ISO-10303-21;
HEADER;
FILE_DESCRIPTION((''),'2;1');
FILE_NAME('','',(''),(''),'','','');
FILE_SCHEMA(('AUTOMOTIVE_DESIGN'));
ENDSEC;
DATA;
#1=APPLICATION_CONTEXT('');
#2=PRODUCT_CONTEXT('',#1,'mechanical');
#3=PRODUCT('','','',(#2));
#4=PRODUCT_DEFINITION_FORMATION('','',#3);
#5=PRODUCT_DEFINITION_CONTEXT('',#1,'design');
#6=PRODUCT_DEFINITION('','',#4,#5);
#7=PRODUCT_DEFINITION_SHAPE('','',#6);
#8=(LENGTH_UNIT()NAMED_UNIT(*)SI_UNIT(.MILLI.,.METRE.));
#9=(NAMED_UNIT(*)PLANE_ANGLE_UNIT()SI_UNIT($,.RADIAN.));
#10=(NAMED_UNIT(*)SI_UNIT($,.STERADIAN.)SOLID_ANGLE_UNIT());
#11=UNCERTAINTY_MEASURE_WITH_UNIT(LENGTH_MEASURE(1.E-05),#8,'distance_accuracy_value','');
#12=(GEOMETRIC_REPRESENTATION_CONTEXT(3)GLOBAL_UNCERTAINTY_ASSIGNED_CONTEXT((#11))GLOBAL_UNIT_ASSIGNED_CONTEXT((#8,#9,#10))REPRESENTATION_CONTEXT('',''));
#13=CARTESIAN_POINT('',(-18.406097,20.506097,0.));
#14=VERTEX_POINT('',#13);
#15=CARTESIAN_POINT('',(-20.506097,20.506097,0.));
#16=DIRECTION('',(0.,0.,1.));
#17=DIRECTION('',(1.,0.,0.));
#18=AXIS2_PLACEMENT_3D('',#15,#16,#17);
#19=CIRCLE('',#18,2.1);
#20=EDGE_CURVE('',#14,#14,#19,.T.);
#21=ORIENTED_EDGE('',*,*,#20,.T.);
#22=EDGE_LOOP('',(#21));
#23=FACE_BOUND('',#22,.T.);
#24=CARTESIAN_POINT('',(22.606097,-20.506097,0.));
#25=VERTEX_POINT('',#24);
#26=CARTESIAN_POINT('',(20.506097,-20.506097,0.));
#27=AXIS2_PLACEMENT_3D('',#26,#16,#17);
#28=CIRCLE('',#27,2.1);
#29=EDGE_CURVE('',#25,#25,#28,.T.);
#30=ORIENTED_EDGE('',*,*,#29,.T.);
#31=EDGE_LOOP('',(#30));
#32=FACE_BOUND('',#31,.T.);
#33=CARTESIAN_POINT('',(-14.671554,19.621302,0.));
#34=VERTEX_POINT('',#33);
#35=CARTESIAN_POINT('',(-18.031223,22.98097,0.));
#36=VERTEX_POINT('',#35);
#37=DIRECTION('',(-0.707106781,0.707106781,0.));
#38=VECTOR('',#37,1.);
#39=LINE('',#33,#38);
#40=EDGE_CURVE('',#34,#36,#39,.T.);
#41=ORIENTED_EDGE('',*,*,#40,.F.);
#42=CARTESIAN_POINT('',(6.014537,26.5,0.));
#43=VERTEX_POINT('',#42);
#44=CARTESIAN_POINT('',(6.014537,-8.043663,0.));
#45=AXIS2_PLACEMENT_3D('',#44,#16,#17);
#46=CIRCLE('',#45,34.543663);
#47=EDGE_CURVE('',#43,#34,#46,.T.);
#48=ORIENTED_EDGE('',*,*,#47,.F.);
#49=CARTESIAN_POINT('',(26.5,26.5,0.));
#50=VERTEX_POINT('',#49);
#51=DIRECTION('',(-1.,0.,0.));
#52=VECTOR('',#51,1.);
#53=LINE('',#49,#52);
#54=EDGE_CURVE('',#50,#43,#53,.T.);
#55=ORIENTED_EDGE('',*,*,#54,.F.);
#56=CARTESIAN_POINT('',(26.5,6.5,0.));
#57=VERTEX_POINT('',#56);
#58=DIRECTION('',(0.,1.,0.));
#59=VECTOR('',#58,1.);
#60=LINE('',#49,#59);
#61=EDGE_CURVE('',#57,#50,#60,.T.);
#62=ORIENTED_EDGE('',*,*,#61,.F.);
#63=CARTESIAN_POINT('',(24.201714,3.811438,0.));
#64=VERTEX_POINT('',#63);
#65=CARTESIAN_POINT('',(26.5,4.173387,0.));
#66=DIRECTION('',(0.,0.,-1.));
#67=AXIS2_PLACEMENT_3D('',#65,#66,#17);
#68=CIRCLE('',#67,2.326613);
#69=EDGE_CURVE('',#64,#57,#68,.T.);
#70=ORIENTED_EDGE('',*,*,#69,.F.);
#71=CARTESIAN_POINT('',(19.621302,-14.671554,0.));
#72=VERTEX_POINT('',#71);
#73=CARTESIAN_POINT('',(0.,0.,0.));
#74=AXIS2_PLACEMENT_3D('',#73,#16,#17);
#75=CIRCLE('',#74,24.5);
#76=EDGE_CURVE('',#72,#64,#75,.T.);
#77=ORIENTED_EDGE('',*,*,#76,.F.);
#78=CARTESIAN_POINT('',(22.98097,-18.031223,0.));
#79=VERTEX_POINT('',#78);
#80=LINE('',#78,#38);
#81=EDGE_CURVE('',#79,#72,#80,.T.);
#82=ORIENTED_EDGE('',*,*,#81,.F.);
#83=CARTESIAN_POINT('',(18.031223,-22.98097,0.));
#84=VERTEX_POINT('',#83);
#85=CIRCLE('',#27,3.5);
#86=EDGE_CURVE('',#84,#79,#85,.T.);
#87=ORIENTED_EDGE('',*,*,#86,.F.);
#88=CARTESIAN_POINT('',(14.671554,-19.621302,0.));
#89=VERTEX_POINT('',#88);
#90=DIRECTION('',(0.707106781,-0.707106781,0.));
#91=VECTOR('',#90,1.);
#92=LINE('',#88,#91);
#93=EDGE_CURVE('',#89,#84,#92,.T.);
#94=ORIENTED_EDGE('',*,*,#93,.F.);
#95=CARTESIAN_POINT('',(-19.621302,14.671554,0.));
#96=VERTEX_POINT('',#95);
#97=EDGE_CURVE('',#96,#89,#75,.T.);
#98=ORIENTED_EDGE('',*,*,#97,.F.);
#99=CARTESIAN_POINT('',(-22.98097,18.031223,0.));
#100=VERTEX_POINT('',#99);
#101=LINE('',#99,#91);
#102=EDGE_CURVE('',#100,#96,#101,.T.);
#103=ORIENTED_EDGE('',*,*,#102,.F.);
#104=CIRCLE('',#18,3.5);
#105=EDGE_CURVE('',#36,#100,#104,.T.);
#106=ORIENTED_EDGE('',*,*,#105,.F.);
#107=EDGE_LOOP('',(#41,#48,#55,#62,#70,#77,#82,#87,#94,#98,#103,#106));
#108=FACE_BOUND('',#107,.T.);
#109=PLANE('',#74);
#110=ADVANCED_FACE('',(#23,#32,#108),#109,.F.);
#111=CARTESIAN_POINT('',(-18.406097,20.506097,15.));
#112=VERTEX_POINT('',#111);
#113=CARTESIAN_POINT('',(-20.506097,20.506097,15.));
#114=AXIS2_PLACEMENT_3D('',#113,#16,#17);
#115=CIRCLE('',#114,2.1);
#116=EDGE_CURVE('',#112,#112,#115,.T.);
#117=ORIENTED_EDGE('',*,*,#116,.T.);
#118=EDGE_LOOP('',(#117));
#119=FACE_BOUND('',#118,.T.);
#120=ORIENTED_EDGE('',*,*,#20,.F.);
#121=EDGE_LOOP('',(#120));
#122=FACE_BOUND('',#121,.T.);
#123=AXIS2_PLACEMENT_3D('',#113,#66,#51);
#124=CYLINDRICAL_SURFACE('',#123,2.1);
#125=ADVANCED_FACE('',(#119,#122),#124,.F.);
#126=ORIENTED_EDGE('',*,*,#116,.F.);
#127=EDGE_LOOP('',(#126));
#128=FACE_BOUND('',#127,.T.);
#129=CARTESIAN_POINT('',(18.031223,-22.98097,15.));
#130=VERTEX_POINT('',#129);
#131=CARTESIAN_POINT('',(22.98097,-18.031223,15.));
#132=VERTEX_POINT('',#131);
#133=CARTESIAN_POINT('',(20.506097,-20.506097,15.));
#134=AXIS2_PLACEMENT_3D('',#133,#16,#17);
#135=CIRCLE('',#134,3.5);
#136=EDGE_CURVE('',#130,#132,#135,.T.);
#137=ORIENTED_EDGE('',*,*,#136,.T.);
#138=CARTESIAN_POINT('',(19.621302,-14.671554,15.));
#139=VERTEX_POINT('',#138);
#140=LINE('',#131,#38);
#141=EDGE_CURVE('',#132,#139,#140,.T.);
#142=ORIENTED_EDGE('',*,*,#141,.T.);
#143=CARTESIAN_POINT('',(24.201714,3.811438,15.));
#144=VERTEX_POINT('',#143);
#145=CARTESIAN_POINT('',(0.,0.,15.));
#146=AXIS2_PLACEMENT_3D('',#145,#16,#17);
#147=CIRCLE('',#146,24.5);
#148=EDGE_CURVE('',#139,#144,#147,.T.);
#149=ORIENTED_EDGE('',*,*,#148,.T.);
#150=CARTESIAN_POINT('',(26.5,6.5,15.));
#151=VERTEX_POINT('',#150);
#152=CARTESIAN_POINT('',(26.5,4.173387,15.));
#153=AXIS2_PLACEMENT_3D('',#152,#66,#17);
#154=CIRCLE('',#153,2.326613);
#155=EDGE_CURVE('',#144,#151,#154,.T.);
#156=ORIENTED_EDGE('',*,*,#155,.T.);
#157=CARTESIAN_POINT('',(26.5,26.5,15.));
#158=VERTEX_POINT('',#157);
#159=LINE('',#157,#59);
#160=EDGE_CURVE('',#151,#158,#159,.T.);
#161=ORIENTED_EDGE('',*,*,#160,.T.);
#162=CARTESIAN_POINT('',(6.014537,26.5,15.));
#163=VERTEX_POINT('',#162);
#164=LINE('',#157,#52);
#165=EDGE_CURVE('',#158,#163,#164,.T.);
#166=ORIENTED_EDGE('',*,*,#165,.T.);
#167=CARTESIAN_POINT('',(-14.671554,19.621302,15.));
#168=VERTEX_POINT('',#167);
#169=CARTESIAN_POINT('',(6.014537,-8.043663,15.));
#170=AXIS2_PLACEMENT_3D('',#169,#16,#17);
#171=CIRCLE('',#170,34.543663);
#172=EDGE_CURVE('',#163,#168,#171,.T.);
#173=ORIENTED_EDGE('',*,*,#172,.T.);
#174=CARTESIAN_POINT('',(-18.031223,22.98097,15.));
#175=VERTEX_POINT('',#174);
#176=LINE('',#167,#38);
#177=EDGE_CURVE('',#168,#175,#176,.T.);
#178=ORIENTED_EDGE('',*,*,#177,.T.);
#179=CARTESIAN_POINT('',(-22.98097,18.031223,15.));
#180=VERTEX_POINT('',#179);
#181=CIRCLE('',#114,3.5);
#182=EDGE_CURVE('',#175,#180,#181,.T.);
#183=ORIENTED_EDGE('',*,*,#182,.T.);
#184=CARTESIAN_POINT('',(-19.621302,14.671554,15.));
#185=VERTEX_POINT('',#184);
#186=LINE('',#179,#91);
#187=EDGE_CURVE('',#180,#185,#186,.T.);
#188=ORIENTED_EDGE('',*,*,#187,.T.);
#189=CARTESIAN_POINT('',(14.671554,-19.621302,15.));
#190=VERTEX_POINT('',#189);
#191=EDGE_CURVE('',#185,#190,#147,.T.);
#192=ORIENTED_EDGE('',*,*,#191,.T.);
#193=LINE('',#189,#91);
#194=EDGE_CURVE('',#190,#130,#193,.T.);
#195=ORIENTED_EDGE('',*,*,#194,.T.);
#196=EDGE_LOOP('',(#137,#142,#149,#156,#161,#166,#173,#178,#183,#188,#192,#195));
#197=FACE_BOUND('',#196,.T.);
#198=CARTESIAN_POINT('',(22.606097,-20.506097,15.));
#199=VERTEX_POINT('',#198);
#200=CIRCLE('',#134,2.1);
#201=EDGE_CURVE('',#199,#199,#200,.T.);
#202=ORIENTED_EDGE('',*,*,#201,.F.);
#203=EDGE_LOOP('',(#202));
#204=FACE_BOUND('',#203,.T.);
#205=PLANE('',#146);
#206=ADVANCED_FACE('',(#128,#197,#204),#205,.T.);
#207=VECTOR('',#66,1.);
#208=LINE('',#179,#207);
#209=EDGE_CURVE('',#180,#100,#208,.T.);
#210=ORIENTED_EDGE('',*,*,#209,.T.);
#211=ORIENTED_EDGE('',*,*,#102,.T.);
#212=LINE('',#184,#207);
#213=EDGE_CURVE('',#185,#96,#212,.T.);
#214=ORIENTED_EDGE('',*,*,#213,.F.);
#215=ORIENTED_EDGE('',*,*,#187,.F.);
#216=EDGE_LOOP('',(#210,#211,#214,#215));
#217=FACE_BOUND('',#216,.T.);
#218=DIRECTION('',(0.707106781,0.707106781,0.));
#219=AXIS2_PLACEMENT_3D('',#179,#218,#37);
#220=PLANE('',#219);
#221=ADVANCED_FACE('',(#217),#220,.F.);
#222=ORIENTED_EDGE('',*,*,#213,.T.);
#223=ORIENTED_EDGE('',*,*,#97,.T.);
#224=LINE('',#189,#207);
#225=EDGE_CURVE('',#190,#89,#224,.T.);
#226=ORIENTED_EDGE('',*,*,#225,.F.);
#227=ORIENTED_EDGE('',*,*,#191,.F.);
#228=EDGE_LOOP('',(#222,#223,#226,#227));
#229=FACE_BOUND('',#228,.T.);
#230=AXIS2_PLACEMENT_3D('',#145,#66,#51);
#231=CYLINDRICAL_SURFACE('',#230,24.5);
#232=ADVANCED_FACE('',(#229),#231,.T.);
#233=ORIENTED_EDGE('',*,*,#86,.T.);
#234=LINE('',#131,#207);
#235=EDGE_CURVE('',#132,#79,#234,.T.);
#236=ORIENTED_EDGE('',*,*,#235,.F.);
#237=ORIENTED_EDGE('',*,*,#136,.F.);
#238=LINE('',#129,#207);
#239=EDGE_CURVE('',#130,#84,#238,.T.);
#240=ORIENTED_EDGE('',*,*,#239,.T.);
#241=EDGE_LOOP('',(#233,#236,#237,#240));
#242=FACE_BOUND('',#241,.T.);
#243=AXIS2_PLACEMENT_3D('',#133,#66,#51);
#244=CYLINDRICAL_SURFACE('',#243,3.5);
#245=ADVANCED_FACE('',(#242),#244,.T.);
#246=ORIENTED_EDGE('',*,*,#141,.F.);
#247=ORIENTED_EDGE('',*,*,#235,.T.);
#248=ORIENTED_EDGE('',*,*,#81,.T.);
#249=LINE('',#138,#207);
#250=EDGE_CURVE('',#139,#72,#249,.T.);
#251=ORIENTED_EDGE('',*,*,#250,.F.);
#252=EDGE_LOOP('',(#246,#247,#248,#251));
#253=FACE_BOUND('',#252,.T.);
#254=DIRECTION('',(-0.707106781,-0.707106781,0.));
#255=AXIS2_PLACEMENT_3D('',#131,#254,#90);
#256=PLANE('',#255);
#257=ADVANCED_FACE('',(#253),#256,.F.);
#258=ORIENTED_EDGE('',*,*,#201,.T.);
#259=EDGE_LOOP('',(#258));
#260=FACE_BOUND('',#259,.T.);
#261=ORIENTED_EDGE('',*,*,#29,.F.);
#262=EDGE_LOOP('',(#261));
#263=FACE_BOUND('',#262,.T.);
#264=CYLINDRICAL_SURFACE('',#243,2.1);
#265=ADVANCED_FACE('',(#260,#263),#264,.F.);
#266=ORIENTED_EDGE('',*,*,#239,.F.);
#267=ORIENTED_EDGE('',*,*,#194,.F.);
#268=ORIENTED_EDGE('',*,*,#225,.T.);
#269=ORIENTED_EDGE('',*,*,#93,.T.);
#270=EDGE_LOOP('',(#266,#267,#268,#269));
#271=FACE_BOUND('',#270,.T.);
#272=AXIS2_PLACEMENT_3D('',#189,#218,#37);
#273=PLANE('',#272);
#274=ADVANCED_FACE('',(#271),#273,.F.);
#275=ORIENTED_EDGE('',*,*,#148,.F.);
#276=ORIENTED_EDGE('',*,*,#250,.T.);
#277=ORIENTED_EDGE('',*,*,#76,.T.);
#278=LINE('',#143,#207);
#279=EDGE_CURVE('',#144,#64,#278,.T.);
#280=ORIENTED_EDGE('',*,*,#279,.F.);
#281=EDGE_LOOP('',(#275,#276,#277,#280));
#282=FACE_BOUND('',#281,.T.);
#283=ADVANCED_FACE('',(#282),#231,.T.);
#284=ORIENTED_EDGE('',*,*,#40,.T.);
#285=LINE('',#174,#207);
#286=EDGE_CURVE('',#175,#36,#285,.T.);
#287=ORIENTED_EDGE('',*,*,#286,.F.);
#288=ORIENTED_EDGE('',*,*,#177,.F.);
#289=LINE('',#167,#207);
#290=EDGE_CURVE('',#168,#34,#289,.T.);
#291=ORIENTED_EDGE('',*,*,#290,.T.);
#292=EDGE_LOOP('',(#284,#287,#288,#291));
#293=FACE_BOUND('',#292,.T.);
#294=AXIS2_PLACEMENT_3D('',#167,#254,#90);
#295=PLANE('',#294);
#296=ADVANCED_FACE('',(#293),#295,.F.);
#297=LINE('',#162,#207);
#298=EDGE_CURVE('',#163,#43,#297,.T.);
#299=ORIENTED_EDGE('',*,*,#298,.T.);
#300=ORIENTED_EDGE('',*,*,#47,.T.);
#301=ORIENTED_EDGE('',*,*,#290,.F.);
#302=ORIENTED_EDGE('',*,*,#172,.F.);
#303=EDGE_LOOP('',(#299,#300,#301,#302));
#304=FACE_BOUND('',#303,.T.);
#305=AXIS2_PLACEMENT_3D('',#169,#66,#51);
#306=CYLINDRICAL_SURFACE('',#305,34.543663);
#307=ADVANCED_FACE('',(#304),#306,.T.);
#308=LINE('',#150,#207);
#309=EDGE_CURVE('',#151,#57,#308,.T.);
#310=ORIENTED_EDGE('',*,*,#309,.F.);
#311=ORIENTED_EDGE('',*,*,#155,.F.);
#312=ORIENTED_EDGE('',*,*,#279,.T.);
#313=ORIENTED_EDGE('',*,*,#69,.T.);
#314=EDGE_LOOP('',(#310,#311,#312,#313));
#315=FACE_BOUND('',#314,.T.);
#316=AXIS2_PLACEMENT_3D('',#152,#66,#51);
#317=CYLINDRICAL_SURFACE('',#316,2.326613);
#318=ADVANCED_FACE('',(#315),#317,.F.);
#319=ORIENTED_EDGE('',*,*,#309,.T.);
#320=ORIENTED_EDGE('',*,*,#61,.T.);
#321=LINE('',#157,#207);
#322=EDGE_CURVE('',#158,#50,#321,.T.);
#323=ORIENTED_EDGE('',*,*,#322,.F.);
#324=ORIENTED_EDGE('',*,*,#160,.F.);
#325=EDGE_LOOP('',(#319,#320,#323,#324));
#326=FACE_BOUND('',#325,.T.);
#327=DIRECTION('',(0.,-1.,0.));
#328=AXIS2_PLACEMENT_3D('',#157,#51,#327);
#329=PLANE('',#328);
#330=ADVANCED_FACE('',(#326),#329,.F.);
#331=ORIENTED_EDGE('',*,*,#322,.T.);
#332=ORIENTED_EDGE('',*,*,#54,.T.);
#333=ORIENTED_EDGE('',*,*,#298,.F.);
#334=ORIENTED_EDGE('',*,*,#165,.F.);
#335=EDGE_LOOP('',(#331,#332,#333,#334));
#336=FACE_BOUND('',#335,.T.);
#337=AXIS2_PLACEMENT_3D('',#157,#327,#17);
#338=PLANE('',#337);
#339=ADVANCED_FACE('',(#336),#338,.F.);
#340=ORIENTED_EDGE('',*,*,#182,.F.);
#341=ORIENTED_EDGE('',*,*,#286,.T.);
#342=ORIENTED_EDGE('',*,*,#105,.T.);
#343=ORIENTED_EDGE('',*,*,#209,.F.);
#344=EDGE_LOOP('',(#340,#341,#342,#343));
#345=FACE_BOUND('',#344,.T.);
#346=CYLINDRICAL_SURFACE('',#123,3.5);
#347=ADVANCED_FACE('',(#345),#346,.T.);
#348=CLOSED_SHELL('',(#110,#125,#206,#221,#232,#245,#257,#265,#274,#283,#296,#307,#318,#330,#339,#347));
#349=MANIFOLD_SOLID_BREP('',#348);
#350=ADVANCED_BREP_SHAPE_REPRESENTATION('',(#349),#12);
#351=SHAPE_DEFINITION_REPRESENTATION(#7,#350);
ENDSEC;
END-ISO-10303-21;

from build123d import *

# Parameters (mm, degrees)
SKETCH1_R           = 2.1
BOSS_EXTRUDE1_DEPTH = 15


with BuildPart() as part:
    # Sketch1 → Boss-Extrude1 (new body)
    with BuildSketch(Plane.XY):
        with BuildLine():
            Line((-22.980970389, 18.03122292), (-19.621301934, 14.671554465))
            ThreePointArc((-19.621301934, 14.671554465), (-17.324116139, -17.324116139), (14.671554465, -19.621301934))
            Line((14.671554465, -19.621301934), (18.03122292, -22.980970389))
            ThreePointArc((18.03122292, -22.980970389), (22.980970389, -22.980970389), (22.980970389, -18.03122292))
            Line((22.980970389, -18.03122292), (19.621301934, -14.671554465))
            ThreePointArc((19.621301934, -14.671554465), (23.780652377, -5.893265015), (24.201713513, 3.811438449))
            ThreePointArc((24.201713513, 3.811438449), (24.731491872, 5.685176303), (26.5, 6.5))
            Line((26.5, 6.5), (26.5, 26.5))
            Line((26.5, 26.5), (6.014536774, 26.5))
            ThreePointArc((6.014536774, 26.5), (-4.885358384, 24.735246981), (-14.671554465, 19.621301934))
            Line((-14.671554465, 19.621301934), (-18.03122292, 22.980970389))
            ThreePointArc((-18.03122292, 22.980970389), (-22.980970389, 22.980970389), (-22.980970389, 18.03122292))
        make_face()
        with Locations((-20.506096654, 20.506096654)):
            Circle(SKETCH1_R, mode=Mode.SUBTRACT)
        with Locations((20.506096654, -20.506096654)):
            Circle(SKETCH1_R, mode=Mode.SUBTRACT)
    extrude(amount=BOSS_EXTRUDE1_DEPTH)


solid = part.part
